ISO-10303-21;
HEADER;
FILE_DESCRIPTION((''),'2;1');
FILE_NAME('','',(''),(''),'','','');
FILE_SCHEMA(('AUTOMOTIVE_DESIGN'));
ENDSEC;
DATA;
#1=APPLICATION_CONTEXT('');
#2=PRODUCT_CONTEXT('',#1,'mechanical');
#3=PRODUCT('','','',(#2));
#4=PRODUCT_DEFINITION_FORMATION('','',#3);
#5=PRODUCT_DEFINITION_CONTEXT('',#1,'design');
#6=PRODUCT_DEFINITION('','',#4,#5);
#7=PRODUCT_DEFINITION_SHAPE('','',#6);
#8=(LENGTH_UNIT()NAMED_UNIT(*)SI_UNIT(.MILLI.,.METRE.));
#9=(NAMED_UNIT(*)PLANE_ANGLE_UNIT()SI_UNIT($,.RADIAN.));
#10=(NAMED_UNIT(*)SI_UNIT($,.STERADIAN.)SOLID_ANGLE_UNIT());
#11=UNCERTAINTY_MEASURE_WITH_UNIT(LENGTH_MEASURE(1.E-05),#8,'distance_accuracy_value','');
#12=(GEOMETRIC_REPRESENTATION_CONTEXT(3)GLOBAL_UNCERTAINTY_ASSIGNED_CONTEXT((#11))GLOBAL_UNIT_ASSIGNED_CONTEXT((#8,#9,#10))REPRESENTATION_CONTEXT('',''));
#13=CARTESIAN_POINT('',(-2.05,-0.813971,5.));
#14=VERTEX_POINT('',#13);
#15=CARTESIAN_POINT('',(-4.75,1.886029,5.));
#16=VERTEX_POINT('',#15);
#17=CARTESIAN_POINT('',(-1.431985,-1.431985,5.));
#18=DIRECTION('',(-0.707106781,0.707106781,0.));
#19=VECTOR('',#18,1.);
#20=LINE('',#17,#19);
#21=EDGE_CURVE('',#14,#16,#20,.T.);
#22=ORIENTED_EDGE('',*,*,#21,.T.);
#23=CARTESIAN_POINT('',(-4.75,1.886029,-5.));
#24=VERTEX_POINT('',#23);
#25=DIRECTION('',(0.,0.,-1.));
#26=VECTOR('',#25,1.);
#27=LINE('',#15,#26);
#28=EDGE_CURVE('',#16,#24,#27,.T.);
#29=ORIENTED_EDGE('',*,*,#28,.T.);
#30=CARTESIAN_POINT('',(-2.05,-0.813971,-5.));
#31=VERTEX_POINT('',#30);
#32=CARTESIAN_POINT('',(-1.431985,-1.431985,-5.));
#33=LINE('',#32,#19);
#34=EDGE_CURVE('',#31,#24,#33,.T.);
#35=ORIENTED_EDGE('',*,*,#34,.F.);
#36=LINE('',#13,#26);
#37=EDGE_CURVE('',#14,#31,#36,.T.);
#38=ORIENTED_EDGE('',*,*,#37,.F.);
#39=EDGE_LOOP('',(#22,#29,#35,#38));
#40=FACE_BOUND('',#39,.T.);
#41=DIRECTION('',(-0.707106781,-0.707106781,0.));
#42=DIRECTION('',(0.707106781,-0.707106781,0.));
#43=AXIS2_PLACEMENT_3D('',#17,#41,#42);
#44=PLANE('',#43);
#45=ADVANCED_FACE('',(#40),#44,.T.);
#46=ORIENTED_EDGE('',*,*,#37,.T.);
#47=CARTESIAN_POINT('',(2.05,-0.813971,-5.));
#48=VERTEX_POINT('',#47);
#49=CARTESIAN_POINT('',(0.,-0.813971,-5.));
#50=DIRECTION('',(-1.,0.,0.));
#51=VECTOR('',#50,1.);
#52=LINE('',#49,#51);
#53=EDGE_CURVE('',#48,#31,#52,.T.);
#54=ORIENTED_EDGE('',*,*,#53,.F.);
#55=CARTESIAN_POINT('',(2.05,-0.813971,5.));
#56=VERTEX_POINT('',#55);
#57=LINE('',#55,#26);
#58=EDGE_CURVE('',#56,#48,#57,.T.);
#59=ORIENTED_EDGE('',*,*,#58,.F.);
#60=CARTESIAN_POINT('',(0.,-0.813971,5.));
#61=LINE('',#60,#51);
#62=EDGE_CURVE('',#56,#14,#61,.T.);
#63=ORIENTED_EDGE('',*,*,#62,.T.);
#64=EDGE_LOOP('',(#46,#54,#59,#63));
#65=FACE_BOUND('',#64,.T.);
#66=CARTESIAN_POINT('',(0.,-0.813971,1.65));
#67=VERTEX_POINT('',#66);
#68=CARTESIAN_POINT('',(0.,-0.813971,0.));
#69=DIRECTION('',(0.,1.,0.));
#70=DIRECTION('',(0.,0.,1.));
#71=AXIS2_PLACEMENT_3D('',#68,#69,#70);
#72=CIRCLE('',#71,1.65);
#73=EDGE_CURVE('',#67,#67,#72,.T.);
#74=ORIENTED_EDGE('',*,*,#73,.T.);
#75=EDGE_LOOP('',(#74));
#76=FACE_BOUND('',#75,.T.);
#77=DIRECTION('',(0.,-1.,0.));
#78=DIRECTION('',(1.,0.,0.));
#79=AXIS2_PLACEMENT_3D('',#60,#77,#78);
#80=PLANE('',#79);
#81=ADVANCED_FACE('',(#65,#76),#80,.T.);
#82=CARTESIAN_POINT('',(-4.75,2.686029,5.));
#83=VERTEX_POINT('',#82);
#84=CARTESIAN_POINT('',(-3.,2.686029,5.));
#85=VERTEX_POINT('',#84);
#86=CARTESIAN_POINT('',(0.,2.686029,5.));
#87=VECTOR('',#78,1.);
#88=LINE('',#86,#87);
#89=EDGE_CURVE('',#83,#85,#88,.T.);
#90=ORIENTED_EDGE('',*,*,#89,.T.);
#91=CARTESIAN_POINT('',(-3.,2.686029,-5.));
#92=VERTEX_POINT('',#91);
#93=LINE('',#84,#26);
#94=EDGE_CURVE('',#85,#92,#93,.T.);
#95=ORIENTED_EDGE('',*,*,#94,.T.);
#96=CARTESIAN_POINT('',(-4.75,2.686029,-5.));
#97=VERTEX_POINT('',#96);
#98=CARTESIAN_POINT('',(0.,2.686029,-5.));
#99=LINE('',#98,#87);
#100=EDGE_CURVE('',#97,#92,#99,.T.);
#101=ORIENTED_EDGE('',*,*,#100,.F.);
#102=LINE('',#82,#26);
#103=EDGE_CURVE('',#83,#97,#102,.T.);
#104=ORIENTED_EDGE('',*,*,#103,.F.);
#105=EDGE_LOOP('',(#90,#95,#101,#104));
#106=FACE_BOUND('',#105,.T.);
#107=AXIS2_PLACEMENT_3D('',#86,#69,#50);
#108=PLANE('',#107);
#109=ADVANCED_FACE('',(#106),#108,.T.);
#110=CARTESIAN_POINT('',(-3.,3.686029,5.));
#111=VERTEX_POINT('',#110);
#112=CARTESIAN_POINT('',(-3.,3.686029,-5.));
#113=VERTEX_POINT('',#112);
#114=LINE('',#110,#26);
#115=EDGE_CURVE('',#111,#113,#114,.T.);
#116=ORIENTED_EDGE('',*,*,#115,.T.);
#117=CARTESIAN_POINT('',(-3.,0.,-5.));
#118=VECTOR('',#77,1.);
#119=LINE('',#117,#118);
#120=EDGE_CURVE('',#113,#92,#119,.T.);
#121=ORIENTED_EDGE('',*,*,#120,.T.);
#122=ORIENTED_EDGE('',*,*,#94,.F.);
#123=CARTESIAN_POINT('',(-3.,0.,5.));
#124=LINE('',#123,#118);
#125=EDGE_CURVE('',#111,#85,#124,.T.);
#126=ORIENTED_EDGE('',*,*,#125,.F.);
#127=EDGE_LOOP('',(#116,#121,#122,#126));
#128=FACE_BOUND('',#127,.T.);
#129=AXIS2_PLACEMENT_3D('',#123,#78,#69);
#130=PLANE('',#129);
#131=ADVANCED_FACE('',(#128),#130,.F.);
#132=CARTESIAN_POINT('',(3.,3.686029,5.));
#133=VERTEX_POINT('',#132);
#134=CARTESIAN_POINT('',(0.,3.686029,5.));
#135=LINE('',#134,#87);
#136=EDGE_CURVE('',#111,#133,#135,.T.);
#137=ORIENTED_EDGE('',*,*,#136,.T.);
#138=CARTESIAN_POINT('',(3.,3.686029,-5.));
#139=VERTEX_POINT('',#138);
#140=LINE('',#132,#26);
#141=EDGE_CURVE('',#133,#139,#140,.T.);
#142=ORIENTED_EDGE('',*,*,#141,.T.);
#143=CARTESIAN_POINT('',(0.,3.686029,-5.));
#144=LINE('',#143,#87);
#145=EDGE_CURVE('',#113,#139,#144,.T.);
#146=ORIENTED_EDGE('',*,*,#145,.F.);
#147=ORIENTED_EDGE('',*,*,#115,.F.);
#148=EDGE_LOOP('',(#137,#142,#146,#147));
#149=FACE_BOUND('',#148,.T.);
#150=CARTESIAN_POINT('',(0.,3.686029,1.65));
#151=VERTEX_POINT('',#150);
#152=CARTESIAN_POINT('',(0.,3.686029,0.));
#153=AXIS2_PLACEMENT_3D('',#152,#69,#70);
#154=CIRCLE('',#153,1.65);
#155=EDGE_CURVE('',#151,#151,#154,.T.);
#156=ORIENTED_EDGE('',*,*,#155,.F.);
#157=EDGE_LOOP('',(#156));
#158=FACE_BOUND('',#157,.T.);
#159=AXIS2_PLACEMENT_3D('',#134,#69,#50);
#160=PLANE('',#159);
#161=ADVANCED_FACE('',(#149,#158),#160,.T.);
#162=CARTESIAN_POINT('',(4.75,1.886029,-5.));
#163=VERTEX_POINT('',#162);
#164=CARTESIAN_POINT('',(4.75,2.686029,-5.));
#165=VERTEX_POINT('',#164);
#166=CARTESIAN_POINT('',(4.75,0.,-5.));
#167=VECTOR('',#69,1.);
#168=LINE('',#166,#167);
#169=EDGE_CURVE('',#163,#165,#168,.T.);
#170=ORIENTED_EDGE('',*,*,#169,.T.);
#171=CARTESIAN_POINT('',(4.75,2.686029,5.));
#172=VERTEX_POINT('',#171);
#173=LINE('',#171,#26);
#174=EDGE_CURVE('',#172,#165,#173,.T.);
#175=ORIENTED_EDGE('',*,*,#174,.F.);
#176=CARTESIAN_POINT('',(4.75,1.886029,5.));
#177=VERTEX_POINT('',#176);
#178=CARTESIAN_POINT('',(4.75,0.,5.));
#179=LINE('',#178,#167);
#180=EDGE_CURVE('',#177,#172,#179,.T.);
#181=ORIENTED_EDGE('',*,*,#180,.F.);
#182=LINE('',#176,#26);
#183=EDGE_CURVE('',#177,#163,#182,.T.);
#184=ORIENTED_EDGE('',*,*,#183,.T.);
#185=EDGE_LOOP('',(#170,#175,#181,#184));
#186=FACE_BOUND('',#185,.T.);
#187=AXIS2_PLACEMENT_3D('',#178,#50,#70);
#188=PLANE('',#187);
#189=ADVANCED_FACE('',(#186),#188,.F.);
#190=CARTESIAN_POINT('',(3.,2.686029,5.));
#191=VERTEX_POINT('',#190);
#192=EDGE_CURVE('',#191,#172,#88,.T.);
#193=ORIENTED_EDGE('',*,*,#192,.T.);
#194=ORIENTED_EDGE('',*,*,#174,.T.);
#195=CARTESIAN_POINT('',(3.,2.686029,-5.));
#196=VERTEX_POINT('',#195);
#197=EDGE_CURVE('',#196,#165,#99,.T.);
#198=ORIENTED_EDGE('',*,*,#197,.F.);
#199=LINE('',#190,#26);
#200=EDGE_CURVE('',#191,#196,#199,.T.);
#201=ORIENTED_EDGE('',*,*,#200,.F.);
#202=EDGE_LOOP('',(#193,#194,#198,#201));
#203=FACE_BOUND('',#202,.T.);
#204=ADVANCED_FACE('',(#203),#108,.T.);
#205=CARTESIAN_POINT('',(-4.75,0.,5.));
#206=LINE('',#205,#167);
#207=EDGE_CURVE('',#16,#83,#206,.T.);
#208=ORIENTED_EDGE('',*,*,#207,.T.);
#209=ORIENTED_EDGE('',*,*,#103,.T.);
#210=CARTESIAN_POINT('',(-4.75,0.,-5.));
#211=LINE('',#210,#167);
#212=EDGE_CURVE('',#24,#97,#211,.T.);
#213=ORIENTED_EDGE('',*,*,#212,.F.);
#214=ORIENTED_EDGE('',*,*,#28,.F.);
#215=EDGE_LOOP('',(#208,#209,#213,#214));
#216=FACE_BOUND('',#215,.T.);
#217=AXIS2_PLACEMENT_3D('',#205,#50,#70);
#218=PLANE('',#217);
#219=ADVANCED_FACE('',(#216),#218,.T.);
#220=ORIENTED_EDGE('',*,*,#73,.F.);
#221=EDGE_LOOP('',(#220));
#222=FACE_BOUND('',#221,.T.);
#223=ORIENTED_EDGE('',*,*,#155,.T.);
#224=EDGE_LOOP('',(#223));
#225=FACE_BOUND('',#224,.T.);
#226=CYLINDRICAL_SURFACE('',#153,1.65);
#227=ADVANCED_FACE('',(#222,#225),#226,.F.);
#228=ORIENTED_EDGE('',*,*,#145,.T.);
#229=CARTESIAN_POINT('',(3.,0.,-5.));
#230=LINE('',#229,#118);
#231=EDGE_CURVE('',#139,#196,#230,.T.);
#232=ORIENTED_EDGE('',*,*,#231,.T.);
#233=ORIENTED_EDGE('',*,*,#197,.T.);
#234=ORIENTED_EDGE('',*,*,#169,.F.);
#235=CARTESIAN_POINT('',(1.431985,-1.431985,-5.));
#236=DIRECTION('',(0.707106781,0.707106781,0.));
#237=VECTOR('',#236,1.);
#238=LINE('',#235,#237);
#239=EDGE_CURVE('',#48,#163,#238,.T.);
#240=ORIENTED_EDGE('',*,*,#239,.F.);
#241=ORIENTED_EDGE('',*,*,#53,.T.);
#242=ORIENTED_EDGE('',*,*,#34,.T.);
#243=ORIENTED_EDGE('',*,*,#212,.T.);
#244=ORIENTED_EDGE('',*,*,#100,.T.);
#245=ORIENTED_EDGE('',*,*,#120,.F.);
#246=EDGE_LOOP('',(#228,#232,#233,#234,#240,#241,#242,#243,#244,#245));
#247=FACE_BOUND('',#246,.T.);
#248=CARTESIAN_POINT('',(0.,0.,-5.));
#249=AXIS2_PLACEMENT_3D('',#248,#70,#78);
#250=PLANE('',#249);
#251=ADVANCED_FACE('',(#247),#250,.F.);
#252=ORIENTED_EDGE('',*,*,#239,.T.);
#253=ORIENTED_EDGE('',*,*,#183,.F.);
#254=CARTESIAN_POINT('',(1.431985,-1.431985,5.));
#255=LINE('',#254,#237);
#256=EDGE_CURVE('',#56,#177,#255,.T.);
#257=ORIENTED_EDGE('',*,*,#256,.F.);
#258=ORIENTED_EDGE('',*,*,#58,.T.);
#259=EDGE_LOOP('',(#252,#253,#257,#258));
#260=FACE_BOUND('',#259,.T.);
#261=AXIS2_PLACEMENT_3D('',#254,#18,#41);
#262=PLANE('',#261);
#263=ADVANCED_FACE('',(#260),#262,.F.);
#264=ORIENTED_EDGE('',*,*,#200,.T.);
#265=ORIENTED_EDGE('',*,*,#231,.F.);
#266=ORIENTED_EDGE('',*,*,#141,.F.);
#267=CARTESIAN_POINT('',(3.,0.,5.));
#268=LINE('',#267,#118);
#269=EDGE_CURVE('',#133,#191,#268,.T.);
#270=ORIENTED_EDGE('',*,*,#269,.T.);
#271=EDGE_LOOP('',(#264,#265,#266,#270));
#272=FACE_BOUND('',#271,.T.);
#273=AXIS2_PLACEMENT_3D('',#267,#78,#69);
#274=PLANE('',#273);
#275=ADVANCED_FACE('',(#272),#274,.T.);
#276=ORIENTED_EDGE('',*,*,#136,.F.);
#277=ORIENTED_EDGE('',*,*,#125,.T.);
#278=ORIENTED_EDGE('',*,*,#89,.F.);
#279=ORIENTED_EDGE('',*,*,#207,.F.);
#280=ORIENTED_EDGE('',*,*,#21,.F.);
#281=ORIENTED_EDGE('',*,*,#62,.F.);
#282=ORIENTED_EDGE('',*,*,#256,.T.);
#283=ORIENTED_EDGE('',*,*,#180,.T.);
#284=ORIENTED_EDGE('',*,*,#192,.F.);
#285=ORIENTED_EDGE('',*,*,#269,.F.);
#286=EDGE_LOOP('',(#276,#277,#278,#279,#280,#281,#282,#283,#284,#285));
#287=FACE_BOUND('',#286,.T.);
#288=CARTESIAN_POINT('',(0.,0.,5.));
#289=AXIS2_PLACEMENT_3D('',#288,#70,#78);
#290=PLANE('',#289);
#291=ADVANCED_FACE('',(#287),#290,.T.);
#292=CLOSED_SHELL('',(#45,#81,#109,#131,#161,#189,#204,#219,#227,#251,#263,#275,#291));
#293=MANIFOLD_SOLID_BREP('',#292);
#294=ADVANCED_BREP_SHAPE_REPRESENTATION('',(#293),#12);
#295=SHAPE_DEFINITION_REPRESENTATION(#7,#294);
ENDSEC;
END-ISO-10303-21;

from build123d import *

# Parameters (mm, degrees)
SKETCH_1_W      = 6
SKETCH_1_H      = 1
EXTRUDE_1_DEPTH = 5
HOLE_WIZARD_0_D = 3.3


with BuildPart() as part:
    # 草图1 → 凸台-拉伸1 (new, symmetric)
    with BuildSketch(Plane.XY):
        Polygon((2.05, -0.813970588), (-2.05, -0.813970588), (-4.75, 1.886029412), (-4.75, 2.686029412), (4.75, 2.686029412), (4.75, 1.886029412), align=None)
        with Locations((0, 3.186029412)):
            Rectangle(SKETCH_1_W, SKETCH_1_H)
    extrude(amount=EXTRUDE_1_DEPTH, both=True)

    # Hole Wizard 0 (through all)
    with Locations(Plane(origin=(0, 3.686029412, 0), x_dir=(1, 0, 0), z_dir=(0, 1, 0))):
        with Locations((0, 0)):
            Hole(HOLE_WIZARD_0_D / 2)


solid = part.part
